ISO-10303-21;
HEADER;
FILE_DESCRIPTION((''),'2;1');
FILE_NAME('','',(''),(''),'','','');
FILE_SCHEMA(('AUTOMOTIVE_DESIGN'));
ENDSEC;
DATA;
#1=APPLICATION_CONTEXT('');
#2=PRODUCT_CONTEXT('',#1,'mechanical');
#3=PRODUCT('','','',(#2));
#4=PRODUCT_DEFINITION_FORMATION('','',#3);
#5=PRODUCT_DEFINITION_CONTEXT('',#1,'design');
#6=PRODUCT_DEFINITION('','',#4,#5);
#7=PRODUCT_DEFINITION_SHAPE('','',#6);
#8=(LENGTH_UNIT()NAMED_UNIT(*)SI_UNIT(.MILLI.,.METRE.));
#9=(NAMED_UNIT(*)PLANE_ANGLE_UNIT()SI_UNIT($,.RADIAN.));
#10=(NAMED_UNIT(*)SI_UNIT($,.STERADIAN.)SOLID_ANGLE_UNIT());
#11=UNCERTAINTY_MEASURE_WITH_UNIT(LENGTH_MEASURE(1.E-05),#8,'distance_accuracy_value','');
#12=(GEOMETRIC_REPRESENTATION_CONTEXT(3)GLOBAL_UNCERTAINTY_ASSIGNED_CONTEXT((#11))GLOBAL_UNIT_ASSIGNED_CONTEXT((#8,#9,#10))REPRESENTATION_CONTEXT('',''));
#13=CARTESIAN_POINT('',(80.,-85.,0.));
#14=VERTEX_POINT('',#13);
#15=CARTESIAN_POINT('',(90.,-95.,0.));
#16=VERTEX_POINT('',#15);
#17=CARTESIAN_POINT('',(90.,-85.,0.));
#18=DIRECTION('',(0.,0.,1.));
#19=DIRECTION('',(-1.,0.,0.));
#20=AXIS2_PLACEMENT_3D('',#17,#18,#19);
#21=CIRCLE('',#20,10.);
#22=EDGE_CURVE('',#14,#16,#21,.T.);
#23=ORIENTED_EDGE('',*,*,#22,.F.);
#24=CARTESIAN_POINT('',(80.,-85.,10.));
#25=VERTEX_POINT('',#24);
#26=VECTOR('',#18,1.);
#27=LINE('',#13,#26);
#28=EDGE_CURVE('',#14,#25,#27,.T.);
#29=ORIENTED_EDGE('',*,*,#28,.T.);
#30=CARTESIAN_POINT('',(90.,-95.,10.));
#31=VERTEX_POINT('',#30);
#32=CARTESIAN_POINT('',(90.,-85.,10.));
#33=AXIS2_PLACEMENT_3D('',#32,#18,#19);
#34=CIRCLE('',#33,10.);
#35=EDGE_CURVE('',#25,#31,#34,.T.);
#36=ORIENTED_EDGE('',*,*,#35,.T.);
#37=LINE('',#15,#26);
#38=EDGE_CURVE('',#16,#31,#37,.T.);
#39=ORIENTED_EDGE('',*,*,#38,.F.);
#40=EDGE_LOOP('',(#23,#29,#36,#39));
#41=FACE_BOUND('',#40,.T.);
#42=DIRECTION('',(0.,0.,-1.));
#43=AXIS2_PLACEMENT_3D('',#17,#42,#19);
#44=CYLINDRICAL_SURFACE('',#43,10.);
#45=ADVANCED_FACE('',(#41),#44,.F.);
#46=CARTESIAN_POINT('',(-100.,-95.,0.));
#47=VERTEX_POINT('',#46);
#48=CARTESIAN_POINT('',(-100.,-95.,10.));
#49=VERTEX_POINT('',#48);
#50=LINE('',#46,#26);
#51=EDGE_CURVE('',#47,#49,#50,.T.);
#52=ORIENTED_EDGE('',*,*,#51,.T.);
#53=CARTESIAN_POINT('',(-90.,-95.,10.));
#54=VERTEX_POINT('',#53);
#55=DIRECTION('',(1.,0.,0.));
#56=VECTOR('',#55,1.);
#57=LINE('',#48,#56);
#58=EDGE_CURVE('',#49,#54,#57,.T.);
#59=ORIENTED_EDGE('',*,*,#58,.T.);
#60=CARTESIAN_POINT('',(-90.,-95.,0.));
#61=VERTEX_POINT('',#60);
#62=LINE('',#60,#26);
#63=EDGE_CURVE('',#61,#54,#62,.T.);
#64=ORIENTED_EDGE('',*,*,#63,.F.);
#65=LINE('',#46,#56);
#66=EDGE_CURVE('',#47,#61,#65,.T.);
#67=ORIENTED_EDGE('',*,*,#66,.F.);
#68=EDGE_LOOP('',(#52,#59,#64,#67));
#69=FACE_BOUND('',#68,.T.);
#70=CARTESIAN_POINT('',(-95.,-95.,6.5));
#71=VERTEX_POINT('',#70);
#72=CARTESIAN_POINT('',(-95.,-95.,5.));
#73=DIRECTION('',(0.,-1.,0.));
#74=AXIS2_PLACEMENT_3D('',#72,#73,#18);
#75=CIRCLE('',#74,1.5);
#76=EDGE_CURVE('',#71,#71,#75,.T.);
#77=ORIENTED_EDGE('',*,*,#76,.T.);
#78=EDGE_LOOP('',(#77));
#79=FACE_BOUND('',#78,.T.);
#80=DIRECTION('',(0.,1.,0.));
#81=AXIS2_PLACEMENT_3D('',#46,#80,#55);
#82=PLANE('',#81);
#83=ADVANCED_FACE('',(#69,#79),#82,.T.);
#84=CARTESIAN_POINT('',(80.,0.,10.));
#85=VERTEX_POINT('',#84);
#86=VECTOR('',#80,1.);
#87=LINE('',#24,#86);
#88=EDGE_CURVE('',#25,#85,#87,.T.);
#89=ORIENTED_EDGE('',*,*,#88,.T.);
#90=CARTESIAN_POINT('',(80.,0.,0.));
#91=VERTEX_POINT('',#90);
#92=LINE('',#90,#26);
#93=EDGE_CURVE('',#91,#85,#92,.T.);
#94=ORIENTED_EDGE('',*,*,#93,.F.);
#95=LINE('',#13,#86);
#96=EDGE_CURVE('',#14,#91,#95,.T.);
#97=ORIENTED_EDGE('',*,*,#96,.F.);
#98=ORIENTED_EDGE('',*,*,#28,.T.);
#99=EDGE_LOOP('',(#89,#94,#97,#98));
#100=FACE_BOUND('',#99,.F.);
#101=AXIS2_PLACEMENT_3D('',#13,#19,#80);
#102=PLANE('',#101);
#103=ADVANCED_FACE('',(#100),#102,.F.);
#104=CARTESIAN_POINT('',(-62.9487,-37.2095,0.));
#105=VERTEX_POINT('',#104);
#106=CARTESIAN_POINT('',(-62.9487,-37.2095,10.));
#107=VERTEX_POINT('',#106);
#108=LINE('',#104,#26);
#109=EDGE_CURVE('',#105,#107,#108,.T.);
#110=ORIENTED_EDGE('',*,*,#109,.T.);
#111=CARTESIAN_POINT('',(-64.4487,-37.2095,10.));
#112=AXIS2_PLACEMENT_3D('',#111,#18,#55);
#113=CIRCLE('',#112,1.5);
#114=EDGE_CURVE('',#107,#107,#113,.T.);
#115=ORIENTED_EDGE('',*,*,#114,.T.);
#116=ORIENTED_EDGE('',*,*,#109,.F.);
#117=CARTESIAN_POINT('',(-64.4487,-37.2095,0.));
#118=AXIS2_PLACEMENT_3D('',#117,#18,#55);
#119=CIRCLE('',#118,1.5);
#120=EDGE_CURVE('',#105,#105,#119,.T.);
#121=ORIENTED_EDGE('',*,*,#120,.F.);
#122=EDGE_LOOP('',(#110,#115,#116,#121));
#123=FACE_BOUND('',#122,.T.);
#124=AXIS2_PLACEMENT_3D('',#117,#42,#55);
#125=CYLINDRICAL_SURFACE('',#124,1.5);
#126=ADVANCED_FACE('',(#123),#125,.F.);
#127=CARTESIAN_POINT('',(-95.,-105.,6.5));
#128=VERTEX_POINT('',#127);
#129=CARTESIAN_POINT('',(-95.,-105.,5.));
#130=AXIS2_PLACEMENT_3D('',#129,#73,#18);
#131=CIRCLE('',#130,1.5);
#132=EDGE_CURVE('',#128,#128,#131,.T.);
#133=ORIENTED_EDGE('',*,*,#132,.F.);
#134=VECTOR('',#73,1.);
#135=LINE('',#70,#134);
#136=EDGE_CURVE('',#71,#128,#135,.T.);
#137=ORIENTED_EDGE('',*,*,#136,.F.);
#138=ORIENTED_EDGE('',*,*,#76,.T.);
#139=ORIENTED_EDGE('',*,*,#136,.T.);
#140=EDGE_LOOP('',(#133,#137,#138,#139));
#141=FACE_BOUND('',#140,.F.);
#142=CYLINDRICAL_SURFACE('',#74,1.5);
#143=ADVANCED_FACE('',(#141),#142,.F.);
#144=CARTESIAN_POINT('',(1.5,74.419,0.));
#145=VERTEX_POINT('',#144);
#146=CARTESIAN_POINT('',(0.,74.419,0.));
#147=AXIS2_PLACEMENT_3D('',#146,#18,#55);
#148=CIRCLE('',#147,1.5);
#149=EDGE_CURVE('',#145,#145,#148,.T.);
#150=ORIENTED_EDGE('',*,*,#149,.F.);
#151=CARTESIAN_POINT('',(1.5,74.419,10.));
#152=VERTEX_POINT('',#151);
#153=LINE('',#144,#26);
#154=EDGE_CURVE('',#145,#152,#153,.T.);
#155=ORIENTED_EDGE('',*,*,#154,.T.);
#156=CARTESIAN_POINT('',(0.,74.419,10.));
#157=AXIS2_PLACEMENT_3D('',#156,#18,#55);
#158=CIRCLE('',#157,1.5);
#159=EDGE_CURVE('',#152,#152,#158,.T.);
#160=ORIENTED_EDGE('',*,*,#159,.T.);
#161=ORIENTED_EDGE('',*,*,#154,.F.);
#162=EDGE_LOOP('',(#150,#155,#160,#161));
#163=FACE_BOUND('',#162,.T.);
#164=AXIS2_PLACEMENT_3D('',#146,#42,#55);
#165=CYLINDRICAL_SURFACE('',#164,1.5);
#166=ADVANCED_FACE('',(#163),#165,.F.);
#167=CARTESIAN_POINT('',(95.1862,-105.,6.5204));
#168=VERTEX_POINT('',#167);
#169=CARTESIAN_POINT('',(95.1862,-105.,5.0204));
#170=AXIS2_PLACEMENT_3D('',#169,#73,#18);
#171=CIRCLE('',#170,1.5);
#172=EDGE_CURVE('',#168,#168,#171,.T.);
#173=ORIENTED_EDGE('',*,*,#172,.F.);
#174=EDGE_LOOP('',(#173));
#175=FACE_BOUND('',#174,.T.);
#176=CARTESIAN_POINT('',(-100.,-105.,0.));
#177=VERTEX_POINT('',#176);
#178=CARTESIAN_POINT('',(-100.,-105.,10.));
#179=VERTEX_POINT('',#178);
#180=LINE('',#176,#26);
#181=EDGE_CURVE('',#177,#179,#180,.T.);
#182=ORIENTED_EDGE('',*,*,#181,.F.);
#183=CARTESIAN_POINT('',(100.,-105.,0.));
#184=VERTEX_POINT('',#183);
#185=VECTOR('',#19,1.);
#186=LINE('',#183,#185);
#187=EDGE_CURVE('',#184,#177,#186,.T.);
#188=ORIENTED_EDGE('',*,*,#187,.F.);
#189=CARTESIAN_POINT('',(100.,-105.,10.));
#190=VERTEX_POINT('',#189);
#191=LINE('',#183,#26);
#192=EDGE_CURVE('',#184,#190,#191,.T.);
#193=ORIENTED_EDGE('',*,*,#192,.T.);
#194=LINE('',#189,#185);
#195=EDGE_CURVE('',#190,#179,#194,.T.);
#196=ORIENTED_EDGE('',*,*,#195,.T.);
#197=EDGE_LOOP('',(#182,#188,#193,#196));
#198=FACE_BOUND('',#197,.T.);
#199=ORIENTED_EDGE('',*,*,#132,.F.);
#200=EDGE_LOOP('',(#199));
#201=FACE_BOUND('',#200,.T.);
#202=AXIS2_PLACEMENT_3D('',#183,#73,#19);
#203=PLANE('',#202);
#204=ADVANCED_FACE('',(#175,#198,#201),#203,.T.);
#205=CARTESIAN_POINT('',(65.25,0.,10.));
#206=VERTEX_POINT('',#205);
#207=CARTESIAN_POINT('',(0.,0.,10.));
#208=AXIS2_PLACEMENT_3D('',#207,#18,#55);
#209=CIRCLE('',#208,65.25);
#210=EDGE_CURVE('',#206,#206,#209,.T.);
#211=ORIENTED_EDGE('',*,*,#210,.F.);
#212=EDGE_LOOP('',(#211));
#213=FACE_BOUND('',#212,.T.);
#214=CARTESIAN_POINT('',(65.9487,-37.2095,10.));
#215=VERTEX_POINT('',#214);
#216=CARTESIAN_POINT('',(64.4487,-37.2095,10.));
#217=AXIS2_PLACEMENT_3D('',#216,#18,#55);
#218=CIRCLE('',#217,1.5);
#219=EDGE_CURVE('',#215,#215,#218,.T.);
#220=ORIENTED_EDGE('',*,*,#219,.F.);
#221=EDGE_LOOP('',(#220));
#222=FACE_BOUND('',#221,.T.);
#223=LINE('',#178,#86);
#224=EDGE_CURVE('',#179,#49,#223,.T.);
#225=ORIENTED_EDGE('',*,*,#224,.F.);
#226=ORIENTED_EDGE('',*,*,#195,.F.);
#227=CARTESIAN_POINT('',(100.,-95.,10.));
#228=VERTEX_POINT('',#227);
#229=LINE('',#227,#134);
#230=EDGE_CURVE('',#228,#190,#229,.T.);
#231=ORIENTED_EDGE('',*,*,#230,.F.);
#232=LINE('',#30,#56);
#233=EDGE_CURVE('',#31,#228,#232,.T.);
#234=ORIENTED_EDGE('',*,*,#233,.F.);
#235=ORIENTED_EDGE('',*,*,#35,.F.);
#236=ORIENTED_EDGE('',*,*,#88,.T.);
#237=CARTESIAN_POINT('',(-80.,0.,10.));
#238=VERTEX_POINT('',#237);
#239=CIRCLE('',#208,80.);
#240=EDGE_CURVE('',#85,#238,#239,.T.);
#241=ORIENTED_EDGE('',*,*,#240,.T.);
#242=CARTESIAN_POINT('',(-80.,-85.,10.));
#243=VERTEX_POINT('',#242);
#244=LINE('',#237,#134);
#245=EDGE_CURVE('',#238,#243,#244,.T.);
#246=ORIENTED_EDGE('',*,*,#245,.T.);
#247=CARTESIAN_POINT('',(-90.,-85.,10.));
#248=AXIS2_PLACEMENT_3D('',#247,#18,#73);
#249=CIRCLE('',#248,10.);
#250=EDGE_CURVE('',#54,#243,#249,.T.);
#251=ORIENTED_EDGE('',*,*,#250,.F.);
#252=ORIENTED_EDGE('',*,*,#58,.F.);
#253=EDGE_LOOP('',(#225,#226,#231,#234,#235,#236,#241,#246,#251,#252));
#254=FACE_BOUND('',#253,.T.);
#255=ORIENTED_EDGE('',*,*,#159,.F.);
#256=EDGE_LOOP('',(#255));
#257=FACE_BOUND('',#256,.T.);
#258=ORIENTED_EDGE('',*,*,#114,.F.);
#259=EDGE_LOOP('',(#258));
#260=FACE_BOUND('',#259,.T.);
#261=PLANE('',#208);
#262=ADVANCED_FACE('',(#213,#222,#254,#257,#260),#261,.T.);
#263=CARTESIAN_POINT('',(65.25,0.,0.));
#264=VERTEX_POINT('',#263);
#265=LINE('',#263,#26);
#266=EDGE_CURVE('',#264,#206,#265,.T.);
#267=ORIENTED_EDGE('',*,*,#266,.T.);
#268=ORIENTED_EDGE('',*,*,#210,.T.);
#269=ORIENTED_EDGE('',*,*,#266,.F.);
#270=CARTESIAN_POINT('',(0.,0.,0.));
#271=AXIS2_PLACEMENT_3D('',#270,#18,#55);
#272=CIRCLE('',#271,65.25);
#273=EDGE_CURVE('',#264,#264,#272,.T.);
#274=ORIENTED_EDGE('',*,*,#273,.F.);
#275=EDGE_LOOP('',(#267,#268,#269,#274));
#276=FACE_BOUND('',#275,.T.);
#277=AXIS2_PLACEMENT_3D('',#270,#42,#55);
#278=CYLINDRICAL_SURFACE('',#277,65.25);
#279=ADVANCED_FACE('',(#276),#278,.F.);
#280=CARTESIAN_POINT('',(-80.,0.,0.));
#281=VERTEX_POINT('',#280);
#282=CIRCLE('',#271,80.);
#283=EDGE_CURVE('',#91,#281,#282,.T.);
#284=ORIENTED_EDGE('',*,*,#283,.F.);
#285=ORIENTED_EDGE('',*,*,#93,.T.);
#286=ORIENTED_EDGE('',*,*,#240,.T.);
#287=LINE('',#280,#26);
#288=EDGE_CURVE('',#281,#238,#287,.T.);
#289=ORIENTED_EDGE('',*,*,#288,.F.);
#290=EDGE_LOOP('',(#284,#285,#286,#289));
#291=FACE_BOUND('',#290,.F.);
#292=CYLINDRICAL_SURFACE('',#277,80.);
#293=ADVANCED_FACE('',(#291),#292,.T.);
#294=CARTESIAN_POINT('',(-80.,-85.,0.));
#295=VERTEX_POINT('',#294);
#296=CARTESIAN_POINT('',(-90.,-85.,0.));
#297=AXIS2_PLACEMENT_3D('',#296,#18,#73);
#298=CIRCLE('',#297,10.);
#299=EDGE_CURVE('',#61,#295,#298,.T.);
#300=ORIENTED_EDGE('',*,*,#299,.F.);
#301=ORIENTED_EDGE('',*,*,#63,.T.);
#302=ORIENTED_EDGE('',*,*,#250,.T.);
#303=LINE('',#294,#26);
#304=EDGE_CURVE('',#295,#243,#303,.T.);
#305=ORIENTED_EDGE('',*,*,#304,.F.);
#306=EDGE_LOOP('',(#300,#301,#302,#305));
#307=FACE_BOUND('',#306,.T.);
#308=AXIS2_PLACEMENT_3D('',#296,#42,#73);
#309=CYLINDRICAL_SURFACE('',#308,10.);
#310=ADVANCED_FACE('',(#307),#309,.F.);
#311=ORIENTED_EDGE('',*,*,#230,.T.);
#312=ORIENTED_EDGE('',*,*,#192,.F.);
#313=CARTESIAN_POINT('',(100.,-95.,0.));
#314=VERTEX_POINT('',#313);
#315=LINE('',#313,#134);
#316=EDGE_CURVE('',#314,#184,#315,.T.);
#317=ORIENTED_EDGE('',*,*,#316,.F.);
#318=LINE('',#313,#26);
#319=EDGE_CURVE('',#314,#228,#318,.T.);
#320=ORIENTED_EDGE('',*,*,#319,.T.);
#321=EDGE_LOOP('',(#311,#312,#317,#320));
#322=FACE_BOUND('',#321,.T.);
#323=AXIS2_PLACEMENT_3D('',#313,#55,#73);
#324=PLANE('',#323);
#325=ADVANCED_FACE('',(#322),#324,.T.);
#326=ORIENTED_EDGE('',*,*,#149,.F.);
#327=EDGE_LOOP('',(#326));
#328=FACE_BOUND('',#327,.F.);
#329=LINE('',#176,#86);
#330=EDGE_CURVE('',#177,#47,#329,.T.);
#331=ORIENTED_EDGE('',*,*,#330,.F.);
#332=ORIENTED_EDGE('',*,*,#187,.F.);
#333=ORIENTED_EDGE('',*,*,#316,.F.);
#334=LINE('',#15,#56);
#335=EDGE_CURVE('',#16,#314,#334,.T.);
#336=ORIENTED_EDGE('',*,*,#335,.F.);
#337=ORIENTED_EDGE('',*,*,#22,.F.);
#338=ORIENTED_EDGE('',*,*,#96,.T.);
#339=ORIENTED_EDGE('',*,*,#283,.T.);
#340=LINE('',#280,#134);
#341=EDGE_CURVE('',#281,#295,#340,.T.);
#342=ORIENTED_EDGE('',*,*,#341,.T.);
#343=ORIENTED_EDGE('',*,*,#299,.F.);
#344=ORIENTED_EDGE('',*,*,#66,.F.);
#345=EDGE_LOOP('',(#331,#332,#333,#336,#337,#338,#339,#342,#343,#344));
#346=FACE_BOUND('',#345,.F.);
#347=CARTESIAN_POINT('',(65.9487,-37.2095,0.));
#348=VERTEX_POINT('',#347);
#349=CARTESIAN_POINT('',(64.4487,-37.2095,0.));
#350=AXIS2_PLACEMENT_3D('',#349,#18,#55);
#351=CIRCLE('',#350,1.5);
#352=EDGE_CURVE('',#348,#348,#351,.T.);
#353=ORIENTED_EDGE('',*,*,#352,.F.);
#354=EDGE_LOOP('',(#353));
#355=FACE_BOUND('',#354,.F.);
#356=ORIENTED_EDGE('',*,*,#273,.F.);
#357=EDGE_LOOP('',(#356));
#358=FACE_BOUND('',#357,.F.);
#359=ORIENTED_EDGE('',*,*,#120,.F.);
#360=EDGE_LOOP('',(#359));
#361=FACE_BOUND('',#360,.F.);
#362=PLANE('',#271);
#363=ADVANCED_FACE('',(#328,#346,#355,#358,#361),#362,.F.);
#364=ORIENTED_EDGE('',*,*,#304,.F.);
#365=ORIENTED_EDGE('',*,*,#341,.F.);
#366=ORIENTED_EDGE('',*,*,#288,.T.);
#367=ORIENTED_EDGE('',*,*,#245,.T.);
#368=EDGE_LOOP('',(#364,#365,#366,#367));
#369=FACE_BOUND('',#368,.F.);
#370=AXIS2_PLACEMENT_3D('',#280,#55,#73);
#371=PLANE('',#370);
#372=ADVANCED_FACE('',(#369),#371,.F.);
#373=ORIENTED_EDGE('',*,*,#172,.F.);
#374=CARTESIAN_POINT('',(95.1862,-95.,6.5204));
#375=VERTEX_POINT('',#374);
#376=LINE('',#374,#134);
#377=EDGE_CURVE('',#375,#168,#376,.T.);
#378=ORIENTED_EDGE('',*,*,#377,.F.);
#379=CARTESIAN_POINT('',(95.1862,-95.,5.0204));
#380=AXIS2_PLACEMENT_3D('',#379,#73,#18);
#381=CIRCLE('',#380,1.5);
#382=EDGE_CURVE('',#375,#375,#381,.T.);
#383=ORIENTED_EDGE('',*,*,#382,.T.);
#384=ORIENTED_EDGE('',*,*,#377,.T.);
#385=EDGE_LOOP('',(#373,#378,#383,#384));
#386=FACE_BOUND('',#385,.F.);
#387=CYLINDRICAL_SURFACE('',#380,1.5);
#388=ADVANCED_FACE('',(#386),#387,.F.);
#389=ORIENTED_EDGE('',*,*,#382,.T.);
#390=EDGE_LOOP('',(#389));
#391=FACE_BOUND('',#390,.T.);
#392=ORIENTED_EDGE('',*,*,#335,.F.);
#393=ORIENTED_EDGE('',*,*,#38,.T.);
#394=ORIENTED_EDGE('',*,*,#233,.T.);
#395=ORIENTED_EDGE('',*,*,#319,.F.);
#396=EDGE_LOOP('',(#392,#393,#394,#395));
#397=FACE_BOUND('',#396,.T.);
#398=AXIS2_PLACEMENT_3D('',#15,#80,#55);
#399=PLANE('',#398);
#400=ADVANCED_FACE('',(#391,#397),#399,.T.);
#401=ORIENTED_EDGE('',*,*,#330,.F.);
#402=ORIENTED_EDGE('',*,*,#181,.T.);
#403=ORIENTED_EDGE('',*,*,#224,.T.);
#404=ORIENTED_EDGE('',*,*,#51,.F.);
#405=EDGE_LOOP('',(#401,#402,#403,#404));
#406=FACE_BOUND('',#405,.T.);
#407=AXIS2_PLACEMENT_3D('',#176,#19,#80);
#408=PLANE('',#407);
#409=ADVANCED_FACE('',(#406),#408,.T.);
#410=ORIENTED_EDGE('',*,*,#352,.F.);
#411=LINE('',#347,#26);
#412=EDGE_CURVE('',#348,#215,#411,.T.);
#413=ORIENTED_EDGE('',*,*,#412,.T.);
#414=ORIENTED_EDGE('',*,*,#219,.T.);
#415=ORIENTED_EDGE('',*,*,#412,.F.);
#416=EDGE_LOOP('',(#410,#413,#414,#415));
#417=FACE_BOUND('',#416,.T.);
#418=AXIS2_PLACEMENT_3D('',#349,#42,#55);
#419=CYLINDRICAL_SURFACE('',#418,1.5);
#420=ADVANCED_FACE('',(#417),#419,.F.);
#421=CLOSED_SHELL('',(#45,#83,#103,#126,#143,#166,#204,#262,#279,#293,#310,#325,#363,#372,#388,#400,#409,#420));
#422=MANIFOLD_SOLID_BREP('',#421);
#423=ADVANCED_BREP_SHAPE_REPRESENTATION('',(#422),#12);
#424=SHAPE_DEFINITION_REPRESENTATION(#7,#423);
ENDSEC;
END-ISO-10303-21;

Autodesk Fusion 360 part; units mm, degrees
sketch "Sketch1" plane through (0, 0, 0) normal (0, 0, 1) x (1, 0, 0)
  circle A0 centre (0, 0) radius 65.25
  circle A1 centre (0, 0) radius 74.419 construction
  circle A2 centre (0, 74.419) radius 1.5
  circle A3 centre (-64.4487, -37.2095) radius 1.5
  circle A4 centre (64.4487, -37.2095) radius 1.5
  circle A5 centre (0, 0) radius 80
  line L0 (-80, 0) -> (80, 0) construction
  line L1 (-80, 0) -> (-80, -85)
  line L2 (80, -85) -> (80, 0)
  line L3 (-80, -95) -> (-100, -95) construction
  line L4 (-100, -95) -> (-90, -95)
  line L5 (100, -95) -> (100, -105)
  line L6 (100, -105) -> (-100, -105)
  line L7 (-100, -105) -> (-100, -95)
  arc A6 (-90, -95) -> (-80, -85) centre (-90, -85) ccw
  line L8 (90, -95) -> (100, -95)
  arc A7 (80, -85) -> (90, -95) centre (90, -85) ccw
  line L9 (-100, -100) -> (-30, -100) construction
  line L10 (-100, -100) -> (40, -100) construction
  circle A8 centre (-30, -100) radius 1.5
  circle A9 centre (40, -100) radius 1.5
  dimension "d1" = 130.5
  dimension "d4" = 148.838
  dimension "d5" = 3
  dimension "d7" = 360
  dimension "d8" = 160
  dimension "d10" = 200
  dimension "d11" = 10
  dimension "d12" = 10
  dimension "d13" = 10
  dimension "d22" = 105
  dimension "d24" = 70
  dimension "d25" = 140
  dimension "d26" = 3
  dimension "d27" = 3
extrude "Extrude1" add sketch "Sketch1" along normal blind 10 contours A5 | A5 L1 L2 L4 L5 L6 L7 A6 L8 A7 | A8 | A9
hole "Hole1" at (-95, -95, 5) direction (0, -1, 0) diameter 3 depth 10 tip angle 118
hole "Hole2" at (95.1862, -95, 5.0204) direction (0, -1, 0) diameter 3 depth 10 tip angle 118
equation "d1 = GearboxDia + Tollerance"
equation "GearboxDia = 130 mm"
equation "Tollerance = 0.5 mm"
equation "d4 = ( 74.419 * 2 ) * 1 mm"
equation "d8 = GearboxDia + 30 mm"
equation "d10 = d8 + 40 mm"
equation "d22 = AxleHieght"
equation "AxleHieght = 105 mm"
equation "d24 = ( 210 / 3 ) * 1 mm"
equation "d25 = ( 210 / 3 * 2 ) * 1 mm"
